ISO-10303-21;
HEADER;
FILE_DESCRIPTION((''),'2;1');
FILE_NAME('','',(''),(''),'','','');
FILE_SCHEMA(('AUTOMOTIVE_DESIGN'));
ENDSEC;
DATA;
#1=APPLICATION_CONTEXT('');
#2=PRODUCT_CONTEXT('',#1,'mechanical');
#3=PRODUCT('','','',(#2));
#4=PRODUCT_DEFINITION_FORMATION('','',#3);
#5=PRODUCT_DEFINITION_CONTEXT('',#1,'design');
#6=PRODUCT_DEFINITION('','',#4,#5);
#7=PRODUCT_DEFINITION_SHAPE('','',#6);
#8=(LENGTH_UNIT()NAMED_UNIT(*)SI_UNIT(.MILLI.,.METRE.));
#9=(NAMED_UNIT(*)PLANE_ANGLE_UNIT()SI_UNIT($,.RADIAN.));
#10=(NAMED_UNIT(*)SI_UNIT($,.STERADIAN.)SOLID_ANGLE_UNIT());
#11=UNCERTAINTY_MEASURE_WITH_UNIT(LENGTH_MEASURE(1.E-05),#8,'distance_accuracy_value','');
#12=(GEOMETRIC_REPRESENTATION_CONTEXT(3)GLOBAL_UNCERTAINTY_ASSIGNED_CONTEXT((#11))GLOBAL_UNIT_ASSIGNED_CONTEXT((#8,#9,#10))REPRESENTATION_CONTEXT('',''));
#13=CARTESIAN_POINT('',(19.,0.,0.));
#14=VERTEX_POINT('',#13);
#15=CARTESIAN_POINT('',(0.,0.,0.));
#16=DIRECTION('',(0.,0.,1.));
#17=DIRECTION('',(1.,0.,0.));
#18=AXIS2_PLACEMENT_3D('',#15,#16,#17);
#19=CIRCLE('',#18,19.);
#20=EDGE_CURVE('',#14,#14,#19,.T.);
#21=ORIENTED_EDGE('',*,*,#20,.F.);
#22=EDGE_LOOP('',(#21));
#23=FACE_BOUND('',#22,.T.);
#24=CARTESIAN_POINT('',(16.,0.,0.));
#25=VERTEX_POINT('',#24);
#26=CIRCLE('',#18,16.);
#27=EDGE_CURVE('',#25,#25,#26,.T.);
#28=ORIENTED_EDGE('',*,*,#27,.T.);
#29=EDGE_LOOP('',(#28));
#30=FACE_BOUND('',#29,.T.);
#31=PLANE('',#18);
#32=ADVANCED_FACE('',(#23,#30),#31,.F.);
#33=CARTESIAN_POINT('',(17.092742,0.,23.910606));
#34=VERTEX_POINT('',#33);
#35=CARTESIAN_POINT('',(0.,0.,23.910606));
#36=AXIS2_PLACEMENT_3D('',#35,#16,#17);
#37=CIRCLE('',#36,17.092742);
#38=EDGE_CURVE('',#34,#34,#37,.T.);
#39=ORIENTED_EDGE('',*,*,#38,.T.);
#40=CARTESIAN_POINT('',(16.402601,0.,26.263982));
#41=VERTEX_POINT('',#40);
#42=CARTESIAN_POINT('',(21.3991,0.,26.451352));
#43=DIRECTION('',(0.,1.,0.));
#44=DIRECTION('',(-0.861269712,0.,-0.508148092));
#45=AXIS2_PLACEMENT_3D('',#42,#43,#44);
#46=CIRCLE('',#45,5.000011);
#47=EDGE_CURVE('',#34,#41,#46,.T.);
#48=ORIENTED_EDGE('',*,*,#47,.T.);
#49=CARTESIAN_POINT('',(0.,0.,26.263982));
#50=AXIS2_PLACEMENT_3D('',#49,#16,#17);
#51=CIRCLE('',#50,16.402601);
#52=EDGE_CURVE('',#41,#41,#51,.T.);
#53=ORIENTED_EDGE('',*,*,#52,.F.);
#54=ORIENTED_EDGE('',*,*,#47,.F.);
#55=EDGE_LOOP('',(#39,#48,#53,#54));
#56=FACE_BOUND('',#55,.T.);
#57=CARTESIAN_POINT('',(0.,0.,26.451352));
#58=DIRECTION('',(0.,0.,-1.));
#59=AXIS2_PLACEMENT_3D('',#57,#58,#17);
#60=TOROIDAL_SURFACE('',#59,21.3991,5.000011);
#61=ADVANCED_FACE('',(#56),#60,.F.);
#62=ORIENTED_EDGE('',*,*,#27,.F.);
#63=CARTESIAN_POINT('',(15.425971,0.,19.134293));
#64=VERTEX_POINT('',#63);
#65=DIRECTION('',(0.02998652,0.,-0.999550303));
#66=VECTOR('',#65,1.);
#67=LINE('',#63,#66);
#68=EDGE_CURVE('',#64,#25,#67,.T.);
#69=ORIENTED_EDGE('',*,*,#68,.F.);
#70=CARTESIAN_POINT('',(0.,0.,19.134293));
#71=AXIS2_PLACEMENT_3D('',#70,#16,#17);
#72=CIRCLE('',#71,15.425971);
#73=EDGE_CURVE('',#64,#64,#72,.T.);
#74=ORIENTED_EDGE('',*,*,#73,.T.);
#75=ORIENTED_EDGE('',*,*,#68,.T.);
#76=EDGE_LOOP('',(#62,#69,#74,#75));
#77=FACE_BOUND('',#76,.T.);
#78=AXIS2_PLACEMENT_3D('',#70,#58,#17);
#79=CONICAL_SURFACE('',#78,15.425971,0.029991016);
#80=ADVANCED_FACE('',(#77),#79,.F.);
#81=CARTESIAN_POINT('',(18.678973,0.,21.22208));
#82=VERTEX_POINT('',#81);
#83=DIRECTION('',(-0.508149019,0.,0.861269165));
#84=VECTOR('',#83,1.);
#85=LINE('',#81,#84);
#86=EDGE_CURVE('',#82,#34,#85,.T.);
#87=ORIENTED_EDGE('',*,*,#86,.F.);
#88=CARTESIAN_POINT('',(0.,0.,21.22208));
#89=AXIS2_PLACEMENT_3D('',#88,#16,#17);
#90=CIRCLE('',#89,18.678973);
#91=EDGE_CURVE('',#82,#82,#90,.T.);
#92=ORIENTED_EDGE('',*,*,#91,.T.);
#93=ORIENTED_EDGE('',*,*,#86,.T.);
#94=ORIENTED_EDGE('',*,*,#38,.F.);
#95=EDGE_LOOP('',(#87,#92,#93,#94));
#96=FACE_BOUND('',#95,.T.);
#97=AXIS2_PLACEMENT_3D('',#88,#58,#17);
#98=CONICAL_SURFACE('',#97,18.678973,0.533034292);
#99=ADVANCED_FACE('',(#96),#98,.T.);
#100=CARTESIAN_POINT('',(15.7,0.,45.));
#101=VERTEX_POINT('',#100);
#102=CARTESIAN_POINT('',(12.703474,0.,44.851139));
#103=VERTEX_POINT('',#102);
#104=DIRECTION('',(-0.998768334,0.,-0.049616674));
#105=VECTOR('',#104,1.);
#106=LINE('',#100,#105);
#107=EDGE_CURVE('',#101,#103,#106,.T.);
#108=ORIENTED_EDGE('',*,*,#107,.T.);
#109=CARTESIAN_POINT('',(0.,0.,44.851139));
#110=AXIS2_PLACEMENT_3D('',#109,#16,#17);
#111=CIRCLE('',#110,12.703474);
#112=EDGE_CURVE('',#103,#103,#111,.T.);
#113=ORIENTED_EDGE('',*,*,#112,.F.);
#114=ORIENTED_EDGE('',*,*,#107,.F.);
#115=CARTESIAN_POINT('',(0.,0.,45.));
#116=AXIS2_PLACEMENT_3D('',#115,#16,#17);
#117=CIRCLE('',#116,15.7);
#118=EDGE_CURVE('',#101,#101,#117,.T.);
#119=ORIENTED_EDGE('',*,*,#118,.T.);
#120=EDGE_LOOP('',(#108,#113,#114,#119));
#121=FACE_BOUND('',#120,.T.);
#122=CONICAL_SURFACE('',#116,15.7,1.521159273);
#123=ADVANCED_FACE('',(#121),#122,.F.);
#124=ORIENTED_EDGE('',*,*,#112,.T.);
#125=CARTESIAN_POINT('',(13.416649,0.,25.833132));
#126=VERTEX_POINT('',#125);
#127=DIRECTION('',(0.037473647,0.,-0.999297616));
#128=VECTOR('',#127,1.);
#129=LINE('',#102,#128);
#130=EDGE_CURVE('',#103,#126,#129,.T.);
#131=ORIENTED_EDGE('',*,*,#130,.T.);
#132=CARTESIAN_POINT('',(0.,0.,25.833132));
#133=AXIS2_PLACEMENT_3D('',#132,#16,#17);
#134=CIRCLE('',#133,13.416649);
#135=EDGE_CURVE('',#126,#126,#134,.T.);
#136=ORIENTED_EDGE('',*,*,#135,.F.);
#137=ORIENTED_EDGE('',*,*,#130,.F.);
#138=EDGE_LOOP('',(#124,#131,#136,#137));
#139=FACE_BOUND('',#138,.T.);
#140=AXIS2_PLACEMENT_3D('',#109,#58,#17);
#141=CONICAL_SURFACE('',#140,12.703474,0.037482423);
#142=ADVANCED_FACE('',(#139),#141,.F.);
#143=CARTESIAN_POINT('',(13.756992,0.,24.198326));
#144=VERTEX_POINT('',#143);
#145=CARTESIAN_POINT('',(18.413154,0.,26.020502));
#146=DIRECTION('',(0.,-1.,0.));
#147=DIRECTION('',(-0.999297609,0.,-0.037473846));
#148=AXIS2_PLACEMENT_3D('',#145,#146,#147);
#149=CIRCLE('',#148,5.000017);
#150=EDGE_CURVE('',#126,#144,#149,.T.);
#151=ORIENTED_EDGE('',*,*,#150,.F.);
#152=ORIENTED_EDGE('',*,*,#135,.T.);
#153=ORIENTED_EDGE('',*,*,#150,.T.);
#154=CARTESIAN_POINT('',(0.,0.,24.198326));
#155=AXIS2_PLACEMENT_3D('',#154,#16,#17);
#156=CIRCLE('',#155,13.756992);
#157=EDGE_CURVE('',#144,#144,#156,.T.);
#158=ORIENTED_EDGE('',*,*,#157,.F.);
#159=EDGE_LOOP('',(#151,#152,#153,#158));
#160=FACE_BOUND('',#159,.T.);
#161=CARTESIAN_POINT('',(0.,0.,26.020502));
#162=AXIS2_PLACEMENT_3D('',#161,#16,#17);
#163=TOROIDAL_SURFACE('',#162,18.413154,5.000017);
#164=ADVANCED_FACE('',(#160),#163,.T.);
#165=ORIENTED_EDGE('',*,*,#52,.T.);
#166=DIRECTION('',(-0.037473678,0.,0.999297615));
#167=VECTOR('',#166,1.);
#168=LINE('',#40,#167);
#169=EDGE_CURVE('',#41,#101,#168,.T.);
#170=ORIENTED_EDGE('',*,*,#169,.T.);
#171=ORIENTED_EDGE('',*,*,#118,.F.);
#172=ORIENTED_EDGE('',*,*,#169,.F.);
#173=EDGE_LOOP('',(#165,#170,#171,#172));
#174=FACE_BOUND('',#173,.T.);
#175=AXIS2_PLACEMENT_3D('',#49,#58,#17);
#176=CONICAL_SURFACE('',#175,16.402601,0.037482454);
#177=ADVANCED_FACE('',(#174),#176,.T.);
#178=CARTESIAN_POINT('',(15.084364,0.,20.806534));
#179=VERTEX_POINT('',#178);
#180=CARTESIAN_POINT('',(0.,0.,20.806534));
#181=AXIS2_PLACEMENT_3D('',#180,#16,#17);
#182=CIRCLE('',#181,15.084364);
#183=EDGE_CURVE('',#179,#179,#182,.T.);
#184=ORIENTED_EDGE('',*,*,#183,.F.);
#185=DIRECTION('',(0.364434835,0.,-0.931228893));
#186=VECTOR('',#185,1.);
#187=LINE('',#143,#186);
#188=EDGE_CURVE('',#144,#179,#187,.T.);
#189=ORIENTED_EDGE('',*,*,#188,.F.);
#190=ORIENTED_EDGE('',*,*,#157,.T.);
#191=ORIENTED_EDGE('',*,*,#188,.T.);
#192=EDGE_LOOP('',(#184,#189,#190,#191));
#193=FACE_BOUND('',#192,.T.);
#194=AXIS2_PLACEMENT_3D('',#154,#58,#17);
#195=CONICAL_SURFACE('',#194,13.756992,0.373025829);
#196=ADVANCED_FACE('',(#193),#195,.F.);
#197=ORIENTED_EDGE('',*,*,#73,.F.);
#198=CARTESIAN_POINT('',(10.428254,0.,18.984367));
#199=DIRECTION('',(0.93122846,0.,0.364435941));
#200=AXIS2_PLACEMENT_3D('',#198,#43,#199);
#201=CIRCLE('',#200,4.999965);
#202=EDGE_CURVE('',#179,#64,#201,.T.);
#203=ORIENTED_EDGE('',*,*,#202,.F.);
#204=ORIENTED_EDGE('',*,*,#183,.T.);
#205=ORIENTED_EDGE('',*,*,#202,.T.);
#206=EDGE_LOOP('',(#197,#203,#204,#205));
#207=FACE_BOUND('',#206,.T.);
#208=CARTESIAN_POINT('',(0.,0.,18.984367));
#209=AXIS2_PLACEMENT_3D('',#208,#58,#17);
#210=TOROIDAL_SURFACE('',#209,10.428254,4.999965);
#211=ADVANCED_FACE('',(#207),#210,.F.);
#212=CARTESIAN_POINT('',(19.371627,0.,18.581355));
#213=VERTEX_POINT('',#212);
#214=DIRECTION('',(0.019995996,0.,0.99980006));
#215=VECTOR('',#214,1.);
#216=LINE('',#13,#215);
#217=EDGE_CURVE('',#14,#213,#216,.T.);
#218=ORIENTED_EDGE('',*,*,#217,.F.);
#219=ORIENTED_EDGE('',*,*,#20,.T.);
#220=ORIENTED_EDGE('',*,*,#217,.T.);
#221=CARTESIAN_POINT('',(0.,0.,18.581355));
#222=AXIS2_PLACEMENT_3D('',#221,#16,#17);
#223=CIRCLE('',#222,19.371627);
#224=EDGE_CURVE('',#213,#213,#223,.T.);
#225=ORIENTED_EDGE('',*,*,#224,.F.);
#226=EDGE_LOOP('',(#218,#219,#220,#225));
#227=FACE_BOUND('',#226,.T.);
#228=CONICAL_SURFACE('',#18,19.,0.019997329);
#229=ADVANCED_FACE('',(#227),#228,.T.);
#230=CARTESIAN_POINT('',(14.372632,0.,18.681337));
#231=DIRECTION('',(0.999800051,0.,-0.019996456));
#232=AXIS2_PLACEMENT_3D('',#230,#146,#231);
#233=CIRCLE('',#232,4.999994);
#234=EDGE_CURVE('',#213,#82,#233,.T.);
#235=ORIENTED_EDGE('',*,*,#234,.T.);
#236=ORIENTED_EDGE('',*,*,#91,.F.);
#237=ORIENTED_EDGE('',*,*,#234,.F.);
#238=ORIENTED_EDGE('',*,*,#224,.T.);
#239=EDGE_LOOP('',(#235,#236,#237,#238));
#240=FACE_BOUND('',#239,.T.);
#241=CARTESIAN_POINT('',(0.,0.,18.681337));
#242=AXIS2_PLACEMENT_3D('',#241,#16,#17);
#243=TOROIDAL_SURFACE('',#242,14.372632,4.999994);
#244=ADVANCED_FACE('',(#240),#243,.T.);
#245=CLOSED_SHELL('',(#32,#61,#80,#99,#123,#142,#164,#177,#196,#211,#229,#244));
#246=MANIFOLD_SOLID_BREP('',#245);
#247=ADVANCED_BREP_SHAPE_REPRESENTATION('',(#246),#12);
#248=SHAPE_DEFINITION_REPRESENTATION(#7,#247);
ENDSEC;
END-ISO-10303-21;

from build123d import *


with BuildPart() as f1:
    # F0 (on Front) → F1 (revolve)
    with BuildSketch(Plane.XZ):
        with BuildLine():
            Line((15.425971, 19.134293), (16, 0))
            Line((16, 0), (19, 0))
            Line((19, 0), (19.371627, 18.581355))
            ThreePointArc((19.371627, 18.581355), (19.209023, 19.949907), (18.678973, 21.22208))
            Line((18.678973, 21.22208), (17.092742, 23.910606))
            ThreePointArc((17.092742, 23.910606), (16.601144, 25.044324), (16.402601, 26.263982))
            Line((16.402601, 26.263982), (15.7, 45))
            Line((15.7, 45), (12.703474, 44.851139))
            Line((12.703474, 44.851139), (13.416649, 25.833132))
            ThreePointArc((13.416649, 25.833132), (13.518091, 25.00142), (13.756992, 24.198326))
            Line((13.756992, 24.198326), (15.084364, 20.806534))
            ThreePointArc((15.084364, 20.806534), (15.327049, 19.985097), (15.425971, 19.134293))
        make_face()
    revolve(axis=Axis((0, 0, 22.42557), (0, 0, 1)))


solid = f1.part
